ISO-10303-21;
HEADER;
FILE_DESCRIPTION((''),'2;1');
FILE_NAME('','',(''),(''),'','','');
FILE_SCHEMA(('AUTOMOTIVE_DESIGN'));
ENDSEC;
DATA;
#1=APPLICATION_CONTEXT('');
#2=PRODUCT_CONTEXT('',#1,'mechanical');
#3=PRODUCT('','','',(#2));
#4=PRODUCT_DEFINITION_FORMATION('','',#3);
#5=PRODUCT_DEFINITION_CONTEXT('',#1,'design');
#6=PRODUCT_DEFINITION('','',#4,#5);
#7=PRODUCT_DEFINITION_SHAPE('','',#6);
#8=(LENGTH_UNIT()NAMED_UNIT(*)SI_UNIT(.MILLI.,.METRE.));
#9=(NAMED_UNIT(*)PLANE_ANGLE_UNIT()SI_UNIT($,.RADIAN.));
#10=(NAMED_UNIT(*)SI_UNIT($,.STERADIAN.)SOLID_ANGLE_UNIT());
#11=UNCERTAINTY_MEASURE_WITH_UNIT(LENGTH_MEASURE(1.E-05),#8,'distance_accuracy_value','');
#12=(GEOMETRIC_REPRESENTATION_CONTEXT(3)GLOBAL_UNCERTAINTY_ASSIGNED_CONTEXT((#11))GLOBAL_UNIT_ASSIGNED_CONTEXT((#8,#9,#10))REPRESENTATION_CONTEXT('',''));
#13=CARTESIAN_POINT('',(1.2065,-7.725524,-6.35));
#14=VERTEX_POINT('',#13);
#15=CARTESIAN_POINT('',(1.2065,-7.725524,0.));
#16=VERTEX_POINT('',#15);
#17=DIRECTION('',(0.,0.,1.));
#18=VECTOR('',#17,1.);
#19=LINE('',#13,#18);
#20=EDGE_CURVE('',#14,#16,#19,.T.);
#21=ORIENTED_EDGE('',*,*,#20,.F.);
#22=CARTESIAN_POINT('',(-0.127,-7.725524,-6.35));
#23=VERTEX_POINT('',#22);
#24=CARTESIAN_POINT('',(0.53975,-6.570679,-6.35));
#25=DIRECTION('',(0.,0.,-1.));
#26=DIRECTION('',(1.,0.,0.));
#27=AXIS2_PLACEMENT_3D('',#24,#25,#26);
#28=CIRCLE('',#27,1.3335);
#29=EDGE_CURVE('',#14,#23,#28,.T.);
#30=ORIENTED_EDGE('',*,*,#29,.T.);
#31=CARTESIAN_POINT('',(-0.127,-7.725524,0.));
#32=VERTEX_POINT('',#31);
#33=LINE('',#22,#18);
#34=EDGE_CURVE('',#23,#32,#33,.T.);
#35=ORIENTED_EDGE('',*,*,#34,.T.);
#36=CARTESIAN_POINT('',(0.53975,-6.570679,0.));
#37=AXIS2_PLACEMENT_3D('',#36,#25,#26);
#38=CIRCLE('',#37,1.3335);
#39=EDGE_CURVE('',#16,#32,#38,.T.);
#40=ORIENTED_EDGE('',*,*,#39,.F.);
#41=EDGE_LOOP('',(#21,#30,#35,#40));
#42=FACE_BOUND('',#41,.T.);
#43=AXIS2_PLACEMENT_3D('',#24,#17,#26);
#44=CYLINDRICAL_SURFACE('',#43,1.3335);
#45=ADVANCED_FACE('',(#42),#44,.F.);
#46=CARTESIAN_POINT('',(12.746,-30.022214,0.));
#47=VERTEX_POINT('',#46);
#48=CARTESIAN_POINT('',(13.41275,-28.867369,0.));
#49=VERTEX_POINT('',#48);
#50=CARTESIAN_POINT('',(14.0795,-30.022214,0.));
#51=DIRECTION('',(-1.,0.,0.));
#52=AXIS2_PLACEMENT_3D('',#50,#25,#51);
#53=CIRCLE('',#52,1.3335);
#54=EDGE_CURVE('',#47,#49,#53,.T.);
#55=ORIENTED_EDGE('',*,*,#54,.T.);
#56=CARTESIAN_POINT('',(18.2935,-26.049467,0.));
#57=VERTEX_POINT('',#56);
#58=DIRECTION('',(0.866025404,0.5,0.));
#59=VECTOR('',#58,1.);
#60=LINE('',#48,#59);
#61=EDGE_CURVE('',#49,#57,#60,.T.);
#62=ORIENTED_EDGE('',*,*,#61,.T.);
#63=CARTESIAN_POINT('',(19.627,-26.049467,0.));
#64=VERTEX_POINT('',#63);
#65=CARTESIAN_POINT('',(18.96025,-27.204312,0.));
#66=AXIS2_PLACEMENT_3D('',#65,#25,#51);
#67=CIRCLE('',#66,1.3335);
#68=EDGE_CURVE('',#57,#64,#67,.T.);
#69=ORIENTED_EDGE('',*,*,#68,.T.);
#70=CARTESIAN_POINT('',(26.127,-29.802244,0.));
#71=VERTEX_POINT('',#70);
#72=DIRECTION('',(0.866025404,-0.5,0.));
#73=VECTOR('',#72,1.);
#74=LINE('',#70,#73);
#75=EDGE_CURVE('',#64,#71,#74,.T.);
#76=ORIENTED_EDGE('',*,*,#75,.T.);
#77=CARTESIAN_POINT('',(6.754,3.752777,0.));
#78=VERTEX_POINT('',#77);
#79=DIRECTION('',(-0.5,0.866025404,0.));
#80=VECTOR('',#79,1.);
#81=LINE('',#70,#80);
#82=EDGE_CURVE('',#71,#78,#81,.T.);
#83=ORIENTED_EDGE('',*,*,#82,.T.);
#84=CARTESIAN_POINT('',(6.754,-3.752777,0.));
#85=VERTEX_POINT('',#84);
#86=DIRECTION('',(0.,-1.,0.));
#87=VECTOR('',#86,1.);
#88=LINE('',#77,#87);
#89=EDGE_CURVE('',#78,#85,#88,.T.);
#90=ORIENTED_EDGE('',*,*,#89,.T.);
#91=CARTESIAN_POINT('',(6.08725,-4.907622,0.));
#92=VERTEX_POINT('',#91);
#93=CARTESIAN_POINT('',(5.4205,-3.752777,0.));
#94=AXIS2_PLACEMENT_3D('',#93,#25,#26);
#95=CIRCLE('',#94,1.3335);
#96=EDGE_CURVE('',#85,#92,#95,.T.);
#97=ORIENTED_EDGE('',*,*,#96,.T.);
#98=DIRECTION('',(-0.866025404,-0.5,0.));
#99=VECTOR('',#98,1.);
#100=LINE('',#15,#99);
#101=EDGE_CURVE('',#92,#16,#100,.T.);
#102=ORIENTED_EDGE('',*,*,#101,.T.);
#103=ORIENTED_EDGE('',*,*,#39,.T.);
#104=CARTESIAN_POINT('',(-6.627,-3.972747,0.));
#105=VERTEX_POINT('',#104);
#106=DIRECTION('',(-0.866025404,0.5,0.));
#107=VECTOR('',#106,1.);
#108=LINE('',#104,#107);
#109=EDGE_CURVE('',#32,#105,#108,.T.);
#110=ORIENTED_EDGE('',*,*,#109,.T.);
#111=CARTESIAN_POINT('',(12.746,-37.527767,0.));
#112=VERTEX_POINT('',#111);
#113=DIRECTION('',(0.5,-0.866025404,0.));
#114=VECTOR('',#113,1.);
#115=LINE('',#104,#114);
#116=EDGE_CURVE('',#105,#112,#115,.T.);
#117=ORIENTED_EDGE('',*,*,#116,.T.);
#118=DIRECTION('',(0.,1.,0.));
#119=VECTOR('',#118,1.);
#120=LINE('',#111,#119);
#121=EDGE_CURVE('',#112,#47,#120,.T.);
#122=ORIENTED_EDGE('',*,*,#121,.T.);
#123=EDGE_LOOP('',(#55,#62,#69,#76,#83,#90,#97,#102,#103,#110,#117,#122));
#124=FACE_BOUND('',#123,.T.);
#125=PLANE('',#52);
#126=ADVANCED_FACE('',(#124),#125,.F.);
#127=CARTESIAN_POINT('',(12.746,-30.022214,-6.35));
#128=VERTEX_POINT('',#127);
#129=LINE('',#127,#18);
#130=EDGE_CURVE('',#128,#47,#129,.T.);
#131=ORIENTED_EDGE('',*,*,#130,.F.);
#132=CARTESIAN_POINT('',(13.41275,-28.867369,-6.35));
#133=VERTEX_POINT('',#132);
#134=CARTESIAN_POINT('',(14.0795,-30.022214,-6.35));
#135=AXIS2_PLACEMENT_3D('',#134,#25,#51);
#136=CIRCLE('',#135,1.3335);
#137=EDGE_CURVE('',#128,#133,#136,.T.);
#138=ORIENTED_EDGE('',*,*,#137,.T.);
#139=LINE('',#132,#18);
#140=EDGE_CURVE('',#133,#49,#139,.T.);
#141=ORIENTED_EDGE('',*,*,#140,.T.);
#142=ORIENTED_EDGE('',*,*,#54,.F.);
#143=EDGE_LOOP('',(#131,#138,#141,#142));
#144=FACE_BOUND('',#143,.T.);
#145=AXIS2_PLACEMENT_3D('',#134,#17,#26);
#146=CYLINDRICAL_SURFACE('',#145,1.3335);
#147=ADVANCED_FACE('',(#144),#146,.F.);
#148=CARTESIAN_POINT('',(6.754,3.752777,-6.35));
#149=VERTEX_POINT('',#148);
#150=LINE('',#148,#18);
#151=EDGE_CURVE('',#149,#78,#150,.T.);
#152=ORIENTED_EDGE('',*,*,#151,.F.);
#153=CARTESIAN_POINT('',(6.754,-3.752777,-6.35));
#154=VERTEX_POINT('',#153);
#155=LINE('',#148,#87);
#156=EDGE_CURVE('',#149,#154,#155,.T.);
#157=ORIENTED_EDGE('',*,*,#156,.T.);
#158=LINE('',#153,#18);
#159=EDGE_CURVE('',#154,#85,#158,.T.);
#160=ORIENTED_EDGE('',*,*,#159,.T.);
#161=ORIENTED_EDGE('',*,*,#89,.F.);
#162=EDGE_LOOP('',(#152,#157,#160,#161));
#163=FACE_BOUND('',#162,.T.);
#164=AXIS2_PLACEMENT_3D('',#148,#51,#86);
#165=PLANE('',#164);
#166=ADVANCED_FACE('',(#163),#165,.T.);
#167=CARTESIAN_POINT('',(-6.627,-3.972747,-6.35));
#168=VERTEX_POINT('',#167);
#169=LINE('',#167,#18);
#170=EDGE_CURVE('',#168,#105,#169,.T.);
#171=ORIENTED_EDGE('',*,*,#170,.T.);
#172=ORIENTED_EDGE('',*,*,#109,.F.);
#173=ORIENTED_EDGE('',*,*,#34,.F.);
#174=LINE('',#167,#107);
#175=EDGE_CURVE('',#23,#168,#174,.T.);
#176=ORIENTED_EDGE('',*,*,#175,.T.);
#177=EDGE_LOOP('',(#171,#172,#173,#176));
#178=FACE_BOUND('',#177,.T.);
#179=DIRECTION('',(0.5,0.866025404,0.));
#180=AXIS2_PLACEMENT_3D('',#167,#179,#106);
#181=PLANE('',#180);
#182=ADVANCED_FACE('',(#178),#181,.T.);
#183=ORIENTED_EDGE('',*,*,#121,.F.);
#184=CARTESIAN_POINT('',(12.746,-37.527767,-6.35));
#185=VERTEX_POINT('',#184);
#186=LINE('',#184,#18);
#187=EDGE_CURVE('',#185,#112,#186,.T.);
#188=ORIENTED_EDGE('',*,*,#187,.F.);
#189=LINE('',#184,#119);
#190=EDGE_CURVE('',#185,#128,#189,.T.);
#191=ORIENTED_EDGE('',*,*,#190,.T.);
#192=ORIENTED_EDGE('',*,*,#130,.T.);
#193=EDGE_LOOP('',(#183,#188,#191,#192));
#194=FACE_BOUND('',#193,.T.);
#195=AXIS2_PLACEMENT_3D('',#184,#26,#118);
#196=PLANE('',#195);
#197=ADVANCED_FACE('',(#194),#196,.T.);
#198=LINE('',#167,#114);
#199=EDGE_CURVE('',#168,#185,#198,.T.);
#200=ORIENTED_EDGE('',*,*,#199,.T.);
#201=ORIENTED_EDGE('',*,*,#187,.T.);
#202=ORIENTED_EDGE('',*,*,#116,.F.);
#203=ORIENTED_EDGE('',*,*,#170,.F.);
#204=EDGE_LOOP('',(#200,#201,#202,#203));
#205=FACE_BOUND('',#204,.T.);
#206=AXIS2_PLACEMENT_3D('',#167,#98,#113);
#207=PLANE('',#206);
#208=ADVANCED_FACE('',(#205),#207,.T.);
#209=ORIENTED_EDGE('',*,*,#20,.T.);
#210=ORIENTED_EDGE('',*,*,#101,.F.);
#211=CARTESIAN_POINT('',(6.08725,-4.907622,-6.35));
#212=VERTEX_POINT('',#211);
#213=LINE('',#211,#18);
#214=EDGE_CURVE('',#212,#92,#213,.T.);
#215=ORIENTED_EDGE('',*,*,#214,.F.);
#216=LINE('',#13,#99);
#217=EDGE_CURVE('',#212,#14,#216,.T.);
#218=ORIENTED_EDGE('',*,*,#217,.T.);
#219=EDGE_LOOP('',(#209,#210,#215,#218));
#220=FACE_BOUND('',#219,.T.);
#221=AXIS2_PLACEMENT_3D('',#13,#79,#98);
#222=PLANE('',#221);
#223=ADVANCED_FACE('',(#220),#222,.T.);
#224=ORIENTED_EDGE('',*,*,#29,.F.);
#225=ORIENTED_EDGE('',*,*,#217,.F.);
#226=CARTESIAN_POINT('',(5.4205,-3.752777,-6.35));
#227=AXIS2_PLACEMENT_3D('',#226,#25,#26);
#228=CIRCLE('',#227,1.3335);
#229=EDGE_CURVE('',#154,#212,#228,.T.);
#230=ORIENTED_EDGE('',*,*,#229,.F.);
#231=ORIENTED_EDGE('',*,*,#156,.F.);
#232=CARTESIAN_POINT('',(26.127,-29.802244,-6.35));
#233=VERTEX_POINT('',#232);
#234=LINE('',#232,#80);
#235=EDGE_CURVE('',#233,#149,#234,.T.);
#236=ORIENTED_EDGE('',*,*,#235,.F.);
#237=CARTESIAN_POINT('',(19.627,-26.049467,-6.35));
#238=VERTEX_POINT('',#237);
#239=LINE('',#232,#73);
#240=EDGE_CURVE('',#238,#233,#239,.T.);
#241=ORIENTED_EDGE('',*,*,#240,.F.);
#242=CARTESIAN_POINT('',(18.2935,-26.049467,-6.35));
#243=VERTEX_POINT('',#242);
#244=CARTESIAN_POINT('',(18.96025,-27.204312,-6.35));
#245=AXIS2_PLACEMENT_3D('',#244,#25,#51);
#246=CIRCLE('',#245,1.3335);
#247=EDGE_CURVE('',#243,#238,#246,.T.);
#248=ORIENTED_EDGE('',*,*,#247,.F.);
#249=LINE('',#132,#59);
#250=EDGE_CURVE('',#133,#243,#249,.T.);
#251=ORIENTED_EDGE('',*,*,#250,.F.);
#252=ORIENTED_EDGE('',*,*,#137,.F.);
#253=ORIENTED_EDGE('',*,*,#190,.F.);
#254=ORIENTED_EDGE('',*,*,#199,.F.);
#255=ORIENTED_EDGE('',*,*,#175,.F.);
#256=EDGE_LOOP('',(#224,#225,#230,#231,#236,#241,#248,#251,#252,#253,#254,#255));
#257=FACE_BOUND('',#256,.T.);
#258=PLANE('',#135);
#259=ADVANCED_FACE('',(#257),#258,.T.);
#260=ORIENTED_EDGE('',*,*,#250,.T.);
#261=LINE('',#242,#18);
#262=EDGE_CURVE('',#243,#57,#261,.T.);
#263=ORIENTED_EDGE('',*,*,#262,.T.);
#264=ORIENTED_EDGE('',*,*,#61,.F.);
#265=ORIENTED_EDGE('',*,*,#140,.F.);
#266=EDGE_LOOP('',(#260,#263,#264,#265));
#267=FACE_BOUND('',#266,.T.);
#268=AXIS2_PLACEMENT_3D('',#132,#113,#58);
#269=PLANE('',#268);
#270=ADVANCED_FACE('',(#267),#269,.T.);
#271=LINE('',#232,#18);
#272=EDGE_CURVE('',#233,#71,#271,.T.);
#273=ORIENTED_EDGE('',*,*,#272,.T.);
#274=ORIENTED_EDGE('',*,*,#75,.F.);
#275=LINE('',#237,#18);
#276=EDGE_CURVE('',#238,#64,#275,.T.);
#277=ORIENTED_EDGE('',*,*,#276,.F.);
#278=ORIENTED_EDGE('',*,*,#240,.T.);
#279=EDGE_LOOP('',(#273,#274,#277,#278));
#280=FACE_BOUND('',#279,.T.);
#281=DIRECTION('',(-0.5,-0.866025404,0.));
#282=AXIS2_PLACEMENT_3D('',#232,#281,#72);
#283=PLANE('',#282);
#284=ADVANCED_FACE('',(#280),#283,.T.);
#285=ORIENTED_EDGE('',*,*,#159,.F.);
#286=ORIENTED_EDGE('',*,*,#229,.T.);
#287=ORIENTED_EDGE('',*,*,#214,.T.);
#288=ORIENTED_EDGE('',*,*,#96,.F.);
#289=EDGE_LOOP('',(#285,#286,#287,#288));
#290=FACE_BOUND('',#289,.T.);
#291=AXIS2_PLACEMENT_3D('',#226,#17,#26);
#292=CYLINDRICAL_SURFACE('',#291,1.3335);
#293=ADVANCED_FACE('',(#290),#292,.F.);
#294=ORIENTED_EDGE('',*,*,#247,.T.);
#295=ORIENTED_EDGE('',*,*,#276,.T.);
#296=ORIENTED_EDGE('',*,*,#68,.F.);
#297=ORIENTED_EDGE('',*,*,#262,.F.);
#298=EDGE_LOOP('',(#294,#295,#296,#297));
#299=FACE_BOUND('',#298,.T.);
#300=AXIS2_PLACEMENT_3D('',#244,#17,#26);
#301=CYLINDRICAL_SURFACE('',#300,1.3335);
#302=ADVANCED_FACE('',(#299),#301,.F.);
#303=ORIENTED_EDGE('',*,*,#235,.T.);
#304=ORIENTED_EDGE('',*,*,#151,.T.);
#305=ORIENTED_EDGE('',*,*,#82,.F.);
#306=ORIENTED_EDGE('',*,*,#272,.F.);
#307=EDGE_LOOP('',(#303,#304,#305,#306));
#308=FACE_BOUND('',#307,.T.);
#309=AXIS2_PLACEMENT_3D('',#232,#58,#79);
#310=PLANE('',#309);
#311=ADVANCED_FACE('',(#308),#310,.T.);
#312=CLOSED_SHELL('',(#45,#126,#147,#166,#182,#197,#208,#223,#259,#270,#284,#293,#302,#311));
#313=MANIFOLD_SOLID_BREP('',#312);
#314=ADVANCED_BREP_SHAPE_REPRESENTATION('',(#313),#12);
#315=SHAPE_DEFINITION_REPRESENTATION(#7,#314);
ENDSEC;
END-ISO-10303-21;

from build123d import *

# Parameters (mm, degrees)
BOSS_EXTRUDE1_DEPTH = 6.35


with BuildPart() as part:
    # Sketch3 → Boss-Extrude1 (new body)
    with BuildSketch(Plane.XY):
        with BuildLine():
            Line((26.127, -29.802243545), (19.627, -26.049466796))
            ThreePointArc((19.627, -26.049466796), (18.96025, -25.870811672), (18.2935, -26.049466796))
            Line((18.2935, -26.049466796), (13.41275, -28.867369122))
            ThreePointArc((13.41275, -28.867369122), (12.924655124, -29.355463998), (12.746, -30.022213998))
            Line((12.746, -30.022213998), (12.746, -37.527767497))
            Line((12.746, -37.527767497), (-6.627, -3.972747202))
            Line((-6.627, -3.972747202), (-0.127, -7.725523952))
            ThreePointArc((-0.127, -7.725523952), (0.53975, -7.904179076), (1.2065, -7.725523952))
            Line((1.2065, -7.725523952), (6.08725, -4.907621626))
            ThreePointArc((6.08725, -4.907621626), (6.575344876, -4.41952675), (6.754, -3.75277675))
            Line((6.754, -3.75277675), (6.754, 3.75277675))
            Line((6.754, 3.75277675), (26.127, -29.802243545))
        make_face()
    extrude(amount=-BOSS_EXTRUDE1_DEPTH)


solid = part.part
